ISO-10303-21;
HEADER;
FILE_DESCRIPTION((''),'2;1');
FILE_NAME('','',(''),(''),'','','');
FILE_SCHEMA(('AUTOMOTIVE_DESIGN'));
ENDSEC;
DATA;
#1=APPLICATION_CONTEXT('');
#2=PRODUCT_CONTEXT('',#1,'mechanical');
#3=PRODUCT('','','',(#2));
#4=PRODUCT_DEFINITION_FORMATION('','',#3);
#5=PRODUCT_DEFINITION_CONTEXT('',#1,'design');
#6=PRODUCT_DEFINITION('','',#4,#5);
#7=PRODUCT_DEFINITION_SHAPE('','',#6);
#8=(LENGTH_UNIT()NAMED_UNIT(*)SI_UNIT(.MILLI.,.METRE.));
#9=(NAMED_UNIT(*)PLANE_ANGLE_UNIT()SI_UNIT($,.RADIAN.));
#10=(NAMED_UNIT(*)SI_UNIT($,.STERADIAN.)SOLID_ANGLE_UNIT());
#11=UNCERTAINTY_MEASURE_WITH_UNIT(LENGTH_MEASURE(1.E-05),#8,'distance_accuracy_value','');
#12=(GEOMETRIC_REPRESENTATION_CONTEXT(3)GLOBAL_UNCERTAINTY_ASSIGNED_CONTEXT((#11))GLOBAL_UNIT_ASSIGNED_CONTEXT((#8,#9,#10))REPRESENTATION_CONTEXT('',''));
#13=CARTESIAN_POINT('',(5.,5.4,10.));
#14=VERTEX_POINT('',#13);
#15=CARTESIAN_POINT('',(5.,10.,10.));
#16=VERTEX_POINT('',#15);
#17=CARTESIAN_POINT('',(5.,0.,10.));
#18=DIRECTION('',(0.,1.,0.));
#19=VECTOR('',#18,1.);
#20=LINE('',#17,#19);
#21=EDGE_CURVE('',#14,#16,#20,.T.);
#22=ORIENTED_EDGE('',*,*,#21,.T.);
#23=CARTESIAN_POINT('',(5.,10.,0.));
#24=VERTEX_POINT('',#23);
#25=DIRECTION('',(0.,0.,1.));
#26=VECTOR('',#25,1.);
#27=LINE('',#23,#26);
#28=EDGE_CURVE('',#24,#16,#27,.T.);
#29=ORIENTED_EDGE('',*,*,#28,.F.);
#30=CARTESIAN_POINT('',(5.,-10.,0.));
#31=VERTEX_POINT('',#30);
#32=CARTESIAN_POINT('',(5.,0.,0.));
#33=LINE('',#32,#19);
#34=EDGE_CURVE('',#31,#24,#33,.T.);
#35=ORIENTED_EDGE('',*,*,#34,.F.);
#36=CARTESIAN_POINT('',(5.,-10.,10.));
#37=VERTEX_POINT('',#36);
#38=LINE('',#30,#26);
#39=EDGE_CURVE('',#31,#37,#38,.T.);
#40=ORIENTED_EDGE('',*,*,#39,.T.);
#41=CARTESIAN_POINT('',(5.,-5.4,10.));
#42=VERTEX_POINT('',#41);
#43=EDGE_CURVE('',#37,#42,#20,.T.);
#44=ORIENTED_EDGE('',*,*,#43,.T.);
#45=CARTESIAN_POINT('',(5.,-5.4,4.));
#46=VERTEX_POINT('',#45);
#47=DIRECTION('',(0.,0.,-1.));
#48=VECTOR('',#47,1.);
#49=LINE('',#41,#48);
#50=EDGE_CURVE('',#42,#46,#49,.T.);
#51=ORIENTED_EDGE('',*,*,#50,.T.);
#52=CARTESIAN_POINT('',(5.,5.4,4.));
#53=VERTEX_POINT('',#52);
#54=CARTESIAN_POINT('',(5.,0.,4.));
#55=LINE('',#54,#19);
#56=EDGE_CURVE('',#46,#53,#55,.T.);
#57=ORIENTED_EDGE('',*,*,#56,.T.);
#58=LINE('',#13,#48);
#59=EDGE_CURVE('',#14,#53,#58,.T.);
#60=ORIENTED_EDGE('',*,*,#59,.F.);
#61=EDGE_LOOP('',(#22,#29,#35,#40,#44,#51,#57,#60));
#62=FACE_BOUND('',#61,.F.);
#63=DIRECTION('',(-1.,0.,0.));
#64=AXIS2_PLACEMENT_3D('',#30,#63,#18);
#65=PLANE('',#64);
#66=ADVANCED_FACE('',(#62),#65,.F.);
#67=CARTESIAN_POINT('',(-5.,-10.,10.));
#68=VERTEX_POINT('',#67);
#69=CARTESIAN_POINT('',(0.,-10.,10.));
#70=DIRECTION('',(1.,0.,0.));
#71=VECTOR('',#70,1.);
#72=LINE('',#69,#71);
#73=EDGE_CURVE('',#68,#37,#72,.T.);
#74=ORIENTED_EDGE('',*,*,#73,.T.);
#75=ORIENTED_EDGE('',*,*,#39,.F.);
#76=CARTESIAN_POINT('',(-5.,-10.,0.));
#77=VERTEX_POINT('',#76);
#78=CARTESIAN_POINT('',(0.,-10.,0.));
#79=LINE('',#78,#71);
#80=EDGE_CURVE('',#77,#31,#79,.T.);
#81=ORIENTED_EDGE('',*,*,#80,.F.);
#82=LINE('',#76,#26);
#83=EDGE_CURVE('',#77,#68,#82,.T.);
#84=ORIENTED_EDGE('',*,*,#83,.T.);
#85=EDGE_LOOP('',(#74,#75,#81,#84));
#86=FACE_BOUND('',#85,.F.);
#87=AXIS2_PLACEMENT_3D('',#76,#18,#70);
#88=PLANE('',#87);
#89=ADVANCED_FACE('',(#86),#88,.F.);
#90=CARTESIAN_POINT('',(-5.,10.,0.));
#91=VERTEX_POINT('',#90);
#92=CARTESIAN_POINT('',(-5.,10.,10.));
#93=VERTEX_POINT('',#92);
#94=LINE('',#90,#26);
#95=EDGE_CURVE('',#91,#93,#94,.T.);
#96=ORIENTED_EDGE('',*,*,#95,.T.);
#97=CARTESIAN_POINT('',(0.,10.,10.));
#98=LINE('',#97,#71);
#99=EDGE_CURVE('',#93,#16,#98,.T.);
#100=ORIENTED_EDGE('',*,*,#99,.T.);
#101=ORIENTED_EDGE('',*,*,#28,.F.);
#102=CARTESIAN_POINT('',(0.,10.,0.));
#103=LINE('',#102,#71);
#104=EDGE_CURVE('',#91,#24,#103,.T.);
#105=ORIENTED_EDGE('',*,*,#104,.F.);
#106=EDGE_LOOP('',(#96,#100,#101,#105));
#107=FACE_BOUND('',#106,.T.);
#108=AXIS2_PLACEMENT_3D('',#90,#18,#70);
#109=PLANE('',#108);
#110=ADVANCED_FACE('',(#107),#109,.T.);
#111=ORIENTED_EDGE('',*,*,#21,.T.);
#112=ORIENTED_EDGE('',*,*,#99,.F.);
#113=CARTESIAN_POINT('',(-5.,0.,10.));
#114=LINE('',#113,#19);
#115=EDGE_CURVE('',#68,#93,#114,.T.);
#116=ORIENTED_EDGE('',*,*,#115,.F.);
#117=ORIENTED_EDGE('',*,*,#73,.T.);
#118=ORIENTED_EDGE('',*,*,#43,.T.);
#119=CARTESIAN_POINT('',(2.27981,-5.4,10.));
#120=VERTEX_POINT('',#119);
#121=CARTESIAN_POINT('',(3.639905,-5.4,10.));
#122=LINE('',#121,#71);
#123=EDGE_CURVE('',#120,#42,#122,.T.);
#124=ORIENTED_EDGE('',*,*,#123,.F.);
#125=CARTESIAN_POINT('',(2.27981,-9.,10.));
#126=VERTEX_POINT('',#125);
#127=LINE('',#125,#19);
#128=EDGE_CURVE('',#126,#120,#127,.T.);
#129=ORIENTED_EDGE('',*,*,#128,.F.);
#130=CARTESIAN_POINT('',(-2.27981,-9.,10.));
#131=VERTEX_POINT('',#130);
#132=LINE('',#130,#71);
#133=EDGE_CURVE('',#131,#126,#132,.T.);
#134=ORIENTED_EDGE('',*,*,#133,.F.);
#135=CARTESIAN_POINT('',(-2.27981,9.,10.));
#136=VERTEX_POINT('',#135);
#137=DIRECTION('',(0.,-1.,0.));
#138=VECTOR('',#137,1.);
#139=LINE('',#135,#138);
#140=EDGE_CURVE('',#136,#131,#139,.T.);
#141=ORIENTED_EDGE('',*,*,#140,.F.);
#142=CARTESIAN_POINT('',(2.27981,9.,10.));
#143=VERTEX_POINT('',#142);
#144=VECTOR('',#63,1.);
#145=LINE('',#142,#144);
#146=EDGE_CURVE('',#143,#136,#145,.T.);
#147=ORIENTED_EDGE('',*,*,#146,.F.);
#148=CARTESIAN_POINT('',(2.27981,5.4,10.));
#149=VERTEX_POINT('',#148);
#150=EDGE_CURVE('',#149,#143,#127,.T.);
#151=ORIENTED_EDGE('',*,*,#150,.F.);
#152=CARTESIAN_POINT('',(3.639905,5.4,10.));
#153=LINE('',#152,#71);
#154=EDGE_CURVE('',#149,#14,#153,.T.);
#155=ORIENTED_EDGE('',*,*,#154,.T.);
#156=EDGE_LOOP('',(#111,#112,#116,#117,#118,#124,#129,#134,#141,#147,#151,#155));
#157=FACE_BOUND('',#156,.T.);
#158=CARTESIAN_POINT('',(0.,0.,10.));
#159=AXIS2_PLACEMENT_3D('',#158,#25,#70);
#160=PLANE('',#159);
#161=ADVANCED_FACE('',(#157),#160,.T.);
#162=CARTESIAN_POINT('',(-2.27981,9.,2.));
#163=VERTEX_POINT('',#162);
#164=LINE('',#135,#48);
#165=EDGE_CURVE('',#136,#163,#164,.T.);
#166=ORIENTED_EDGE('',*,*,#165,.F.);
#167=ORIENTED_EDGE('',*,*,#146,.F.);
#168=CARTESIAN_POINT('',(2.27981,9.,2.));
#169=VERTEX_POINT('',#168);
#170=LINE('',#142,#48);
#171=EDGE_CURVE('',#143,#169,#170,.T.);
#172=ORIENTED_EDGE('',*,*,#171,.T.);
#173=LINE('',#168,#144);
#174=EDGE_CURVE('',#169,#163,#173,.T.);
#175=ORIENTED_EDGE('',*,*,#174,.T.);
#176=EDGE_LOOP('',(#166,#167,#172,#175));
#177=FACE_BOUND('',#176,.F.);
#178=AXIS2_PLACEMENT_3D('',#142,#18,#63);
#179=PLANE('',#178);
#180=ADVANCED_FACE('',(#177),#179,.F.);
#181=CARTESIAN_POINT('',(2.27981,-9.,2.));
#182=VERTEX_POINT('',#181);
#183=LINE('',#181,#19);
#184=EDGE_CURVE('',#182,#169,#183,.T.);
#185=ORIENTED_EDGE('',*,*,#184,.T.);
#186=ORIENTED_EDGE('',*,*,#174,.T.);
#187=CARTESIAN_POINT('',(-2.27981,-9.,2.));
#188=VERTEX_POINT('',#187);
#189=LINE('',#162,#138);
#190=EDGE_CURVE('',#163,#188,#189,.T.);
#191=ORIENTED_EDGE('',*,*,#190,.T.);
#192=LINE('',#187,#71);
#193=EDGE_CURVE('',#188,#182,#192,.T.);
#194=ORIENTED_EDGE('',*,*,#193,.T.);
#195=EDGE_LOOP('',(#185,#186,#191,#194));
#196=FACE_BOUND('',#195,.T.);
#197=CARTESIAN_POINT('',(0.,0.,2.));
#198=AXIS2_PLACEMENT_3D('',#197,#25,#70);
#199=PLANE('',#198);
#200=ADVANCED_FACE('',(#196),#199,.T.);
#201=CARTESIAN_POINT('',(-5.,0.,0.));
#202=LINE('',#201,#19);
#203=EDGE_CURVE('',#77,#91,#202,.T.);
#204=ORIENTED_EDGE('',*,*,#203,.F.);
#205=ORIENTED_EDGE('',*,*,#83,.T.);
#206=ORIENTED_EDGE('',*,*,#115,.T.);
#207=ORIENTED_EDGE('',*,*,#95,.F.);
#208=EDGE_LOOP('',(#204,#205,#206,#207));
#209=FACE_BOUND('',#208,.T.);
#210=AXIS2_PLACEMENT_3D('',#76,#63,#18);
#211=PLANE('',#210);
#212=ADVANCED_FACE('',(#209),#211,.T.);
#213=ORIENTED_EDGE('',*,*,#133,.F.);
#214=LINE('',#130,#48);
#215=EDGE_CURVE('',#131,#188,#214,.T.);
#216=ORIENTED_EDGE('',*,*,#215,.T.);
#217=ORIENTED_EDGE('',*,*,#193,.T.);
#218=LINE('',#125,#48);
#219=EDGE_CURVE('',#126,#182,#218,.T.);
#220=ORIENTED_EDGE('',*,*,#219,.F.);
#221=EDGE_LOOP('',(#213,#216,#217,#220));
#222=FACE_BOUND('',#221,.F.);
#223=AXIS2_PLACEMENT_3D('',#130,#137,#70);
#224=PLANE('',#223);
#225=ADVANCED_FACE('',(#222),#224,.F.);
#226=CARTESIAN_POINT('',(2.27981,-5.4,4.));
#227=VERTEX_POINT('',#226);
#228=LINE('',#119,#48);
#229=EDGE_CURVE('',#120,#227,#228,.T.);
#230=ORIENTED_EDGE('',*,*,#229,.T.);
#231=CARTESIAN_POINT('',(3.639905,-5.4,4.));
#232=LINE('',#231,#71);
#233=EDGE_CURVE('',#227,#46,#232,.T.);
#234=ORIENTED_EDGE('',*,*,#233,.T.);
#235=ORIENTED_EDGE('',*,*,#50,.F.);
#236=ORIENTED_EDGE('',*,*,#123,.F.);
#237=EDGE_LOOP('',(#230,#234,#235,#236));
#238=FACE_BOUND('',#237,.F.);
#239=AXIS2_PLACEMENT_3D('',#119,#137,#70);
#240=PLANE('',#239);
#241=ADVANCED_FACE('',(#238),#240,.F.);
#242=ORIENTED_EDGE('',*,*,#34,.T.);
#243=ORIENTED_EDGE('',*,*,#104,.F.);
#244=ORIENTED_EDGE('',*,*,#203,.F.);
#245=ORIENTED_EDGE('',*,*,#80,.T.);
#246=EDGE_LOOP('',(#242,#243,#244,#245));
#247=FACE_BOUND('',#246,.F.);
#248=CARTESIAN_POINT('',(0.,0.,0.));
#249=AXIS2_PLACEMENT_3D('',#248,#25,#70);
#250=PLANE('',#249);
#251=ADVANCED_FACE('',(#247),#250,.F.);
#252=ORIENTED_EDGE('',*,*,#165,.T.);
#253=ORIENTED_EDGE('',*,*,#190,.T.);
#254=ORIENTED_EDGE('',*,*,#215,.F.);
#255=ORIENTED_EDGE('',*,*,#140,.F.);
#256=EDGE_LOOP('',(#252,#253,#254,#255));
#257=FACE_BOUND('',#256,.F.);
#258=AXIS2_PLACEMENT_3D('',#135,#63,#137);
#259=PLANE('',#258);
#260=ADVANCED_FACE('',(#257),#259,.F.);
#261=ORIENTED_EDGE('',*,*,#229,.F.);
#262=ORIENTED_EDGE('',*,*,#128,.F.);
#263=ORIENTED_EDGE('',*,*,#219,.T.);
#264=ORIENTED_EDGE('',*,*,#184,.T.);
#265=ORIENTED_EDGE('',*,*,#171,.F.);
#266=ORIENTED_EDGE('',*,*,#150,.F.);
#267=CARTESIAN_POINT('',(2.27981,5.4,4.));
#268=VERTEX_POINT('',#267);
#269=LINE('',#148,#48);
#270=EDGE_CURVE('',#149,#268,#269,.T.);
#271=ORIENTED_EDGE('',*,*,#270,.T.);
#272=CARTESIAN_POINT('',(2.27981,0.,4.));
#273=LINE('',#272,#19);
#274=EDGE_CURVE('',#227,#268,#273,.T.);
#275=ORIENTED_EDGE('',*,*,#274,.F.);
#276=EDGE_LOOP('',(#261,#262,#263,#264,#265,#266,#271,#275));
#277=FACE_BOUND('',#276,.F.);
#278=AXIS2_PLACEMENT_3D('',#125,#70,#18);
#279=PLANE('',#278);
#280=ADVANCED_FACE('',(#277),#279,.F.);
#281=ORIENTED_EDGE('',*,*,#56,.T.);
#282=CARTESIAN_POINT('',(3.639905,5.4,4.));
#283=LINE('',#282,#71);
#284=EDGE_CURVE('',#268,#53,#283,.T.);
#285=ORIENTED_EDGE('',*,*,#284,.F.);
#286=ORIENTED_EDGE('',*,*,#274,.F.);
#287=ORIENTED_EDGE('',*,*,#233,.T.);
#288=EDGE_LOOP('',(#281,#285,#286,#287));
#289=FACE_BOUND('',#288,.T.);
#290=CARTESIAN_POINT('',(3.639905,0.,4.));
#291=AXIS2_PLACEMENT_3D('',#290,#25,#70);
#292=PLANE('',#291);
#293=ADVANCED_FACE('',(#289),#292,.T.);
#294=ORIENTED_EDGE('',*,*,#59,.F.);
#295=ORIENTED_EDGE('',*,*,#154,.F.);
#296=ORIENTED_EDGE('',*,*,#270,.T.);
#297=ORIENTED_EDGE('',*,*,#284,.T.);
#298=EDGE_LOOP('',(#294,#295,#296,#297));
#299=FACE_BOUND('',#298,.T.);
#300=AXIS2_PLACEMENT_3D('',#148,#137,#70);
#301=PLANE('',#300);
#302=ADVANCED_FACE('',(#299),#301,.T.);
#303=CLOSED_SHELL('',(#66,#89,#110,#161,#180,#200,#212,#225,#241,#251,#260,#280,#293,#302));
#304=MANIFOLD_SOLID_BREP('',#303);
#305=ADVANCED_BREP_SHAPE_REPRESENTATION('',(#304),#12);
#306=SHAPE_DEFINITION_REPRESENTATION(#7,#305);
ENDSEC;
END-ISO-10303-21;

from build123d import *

# Parameters (mm, degrees)
F0_W     = 10
F0_H     = 20
F1_DEPTH = 10
F3_DEPTH = 8
F2_W     = 2.72019
F2_H     = 10.8
F4_DEPTH = 6


with BuildPart() as f1:
    # F0 (on Top) → F1 (new body)
    with BuildSketch(Plane.XY):
        Rectangle(F0_W, F0_H)
    extrude(amount=F1_DEPTH)

    # F2 (on face) → F3 (cut)
    with BuildSketch(Plane.XY.offset(10)):
        Polygon((2.27981, 5.4), (2.27981, 9), (-2.27981, 9), (-2.27981, -9), (2.27981, -9), (2.27981, -5.4), align=None)
    extrude(amount=-F3_DEPTH, mode=Mode.SUBTRACT)

    # F2 (on face) → F4 (cut)
    with BuildSketch(Plane.XY.offset(10)):
        with Locations((3.639905, 0)):
            Rectangle(F2_W, F2_H)
    extrude(amount=-F4_DEPTH, mode=Mode.SUBTRACT)


solid = f1.part
